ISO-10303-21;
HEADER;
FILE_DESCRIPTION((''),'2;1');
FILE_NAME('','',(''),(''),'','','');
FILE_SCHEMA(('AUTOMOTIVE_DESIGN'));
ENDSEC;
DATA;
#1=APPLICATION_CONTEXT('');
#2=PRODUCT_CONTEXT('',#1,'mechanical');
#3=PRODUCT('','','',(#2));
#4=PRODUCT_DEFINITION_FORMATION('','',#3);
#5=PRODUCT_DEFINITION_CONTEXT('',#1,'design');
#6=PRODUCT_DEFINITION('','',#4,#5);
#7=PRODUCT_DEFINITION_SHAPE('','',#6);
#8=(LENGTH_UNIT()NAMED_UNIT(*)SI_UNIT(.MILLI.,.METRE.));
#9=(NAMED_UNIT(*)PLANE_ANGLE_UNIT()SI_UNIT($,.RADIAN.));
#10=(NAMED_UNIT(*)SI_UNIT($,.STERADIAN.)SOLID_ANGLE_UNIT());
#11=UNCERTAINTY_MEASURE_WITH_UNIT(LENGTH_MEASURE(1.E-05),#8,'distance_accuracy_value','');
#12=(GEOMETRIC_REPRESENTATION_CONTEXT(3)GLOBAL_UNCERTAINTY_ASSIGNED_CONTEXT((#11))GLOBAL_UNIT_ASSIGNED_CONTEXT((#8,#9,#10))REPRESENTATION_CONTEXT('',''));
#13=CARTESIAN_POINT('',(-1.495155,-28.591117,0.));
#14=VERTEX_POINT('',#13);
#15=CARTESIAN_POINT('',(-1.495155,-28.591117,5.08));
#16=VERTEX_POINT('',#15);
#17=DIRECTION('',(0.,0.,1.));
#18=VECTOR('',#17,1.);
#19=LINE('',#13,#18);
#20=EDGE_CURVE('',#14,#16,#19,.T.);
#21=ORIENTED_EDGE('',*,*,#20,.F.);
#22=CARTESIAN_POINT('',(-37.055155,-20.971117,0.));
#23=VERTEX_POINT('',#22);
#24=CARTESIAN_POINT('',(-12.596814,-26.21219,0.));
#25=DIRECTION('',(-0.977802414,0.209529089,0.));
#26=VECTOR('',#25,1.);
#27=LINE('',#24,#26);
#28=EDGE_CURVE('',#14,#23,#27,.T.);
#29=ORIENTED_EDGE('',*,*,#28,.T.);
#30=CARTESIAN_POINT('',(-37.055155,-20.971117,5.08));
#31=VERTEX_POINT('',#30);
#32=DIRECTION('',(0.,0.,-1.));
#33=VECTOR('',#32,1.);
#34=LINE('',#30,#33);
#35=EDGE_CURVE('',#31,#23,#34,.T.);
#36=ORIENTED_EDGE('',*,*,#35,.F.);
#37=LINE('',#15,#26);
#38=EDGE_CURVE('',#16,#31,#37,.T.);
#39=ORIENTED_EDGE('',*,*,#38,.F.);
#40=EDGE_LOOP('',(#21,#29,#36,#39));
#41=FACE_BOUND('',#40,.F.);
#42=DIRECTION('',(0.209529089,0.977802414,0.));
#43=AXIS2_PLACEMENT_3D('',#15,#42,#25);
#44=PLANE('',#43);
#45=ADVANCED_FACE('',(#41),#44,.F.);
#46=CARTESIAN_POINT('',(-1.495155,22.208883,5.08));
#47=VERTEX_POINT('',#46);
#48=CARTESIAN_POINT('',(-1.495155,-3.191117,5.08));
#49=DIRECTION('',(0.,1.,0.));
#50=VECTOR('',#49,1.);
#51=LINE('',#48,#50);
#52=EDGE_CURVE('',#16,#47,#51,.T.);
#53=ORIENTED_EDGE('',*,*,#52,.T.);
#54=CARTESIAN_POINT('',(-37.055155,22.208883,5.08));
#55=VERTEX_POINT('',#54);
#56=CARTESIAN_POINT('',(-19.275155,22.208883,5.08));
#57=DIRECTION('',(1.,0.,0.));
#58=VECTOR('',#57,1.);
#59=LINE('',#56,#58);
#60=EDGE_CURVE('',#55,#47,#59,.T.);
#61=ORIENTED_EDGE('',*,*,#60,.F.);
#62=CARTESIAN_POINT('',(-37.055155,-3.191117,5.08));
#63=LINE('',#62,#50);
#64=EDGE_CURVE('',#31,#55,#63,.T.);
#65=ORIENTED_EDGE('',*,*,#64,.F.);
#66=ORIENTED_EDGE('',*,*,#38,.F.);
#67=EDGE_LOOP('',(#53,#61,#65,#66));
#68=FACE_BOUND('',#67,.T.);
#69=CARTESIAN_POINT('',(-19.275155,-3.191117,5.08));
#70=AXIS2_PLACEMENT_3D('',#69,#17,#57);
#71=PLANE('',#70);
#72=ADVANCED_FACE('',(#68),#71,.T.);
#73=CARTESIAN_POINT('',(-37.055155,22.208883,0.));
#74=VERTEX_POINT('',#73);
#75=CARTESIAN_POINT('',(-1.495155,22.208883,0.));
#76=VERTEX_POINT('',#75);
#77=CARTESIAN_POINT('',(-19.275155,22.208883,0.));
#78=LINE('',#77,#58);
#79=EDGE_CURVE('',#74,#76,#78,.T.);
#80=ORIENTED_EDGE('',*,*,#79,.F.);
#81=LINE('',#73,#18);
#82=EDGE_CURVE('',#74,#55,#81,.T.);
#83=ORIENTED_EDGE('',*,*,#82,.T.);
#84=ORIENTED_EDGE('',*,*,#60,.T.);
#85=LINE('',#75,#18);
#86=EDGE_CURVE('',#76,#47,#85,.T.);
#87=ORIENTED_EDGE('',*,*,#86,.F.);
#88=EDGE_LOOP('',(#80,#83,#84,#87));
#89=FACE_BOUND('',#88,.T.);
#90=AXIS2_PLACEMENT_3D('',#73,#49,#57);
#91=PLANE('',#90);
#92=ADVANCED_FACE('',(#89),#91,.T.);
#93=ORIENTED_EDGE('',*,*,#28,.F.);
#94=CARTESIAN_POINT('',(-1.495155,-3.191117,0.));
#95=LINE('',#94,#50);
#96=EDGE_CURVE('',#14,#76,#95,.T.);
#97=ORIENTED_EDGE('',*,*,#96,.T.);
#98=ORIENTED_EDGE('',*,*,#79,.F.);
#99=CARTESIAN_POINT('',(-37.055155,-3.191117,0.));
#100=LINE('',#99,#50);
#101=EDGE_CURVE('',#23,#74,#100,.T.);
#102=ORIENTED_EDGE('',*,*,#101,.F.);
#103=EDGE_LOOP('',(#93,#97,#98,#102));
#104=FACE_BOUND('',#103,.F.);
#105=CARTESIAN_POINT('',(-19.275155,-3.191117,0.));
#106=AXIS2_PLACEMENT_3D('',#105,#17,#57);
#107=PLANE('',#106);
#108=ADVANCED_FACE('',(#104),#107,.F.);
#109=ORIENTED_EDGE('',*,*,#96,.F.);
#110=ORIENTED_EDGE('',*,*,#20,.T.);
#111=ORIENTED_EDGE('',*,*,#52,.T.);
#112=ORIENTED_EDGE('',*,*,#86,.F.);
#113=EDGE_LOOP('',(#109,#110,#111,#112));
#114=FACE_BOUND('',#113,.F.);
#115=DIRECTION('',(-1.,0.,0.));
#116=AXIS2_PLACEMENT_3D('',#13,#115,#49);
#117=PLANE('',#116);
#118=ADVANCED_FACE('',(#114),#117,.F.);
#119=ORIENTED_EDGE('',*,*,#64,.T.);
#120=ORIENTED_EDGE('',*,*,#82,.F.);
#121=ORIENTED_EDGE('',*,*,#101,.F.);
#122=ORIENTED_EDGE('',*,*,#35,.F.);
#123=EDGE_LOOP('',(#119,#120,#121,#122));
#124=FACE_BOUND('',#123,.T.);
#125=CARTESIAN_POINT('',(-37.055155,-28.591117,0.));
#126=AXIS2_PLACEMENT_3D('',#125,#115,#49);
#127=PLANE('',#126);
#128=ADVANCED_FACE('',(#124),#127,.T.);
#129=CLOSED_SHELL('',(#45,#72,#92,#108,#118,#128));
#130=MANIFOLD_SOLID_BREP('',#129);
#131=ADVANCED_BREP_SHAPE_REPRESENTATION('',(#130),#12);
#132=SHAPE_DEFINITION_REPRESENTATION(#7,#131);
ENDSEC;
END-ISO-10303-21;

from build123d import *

# Parameters (mm, degrees)
F0_W     = 35.56
F0_H     = 50.8
F1_DEPTH = 5.08
F3_DEPTH = 25.4


with BuildPart() as f1:
    # F0 (on Top) → F1 (new body)
    with BuildSketch(Plane.XY):
        with Locations((-19.275155, -3.191117)):
            Rectangle(F0_W, F0_H)
    extrude(amount=F1_DEPTH)

    # F2 (on face) → F3 (cut)
    with BuildSketch(Plane.XY.offset(5.08)):
        Polygon((-37.055155, -28.591117), (-1.495155, -28.591117), (-37.055155, -20.971117), align=None)
    extrude(amount=-F3_DEPTH, mode=Mode.SUBTRACT)


solid = f1.part
